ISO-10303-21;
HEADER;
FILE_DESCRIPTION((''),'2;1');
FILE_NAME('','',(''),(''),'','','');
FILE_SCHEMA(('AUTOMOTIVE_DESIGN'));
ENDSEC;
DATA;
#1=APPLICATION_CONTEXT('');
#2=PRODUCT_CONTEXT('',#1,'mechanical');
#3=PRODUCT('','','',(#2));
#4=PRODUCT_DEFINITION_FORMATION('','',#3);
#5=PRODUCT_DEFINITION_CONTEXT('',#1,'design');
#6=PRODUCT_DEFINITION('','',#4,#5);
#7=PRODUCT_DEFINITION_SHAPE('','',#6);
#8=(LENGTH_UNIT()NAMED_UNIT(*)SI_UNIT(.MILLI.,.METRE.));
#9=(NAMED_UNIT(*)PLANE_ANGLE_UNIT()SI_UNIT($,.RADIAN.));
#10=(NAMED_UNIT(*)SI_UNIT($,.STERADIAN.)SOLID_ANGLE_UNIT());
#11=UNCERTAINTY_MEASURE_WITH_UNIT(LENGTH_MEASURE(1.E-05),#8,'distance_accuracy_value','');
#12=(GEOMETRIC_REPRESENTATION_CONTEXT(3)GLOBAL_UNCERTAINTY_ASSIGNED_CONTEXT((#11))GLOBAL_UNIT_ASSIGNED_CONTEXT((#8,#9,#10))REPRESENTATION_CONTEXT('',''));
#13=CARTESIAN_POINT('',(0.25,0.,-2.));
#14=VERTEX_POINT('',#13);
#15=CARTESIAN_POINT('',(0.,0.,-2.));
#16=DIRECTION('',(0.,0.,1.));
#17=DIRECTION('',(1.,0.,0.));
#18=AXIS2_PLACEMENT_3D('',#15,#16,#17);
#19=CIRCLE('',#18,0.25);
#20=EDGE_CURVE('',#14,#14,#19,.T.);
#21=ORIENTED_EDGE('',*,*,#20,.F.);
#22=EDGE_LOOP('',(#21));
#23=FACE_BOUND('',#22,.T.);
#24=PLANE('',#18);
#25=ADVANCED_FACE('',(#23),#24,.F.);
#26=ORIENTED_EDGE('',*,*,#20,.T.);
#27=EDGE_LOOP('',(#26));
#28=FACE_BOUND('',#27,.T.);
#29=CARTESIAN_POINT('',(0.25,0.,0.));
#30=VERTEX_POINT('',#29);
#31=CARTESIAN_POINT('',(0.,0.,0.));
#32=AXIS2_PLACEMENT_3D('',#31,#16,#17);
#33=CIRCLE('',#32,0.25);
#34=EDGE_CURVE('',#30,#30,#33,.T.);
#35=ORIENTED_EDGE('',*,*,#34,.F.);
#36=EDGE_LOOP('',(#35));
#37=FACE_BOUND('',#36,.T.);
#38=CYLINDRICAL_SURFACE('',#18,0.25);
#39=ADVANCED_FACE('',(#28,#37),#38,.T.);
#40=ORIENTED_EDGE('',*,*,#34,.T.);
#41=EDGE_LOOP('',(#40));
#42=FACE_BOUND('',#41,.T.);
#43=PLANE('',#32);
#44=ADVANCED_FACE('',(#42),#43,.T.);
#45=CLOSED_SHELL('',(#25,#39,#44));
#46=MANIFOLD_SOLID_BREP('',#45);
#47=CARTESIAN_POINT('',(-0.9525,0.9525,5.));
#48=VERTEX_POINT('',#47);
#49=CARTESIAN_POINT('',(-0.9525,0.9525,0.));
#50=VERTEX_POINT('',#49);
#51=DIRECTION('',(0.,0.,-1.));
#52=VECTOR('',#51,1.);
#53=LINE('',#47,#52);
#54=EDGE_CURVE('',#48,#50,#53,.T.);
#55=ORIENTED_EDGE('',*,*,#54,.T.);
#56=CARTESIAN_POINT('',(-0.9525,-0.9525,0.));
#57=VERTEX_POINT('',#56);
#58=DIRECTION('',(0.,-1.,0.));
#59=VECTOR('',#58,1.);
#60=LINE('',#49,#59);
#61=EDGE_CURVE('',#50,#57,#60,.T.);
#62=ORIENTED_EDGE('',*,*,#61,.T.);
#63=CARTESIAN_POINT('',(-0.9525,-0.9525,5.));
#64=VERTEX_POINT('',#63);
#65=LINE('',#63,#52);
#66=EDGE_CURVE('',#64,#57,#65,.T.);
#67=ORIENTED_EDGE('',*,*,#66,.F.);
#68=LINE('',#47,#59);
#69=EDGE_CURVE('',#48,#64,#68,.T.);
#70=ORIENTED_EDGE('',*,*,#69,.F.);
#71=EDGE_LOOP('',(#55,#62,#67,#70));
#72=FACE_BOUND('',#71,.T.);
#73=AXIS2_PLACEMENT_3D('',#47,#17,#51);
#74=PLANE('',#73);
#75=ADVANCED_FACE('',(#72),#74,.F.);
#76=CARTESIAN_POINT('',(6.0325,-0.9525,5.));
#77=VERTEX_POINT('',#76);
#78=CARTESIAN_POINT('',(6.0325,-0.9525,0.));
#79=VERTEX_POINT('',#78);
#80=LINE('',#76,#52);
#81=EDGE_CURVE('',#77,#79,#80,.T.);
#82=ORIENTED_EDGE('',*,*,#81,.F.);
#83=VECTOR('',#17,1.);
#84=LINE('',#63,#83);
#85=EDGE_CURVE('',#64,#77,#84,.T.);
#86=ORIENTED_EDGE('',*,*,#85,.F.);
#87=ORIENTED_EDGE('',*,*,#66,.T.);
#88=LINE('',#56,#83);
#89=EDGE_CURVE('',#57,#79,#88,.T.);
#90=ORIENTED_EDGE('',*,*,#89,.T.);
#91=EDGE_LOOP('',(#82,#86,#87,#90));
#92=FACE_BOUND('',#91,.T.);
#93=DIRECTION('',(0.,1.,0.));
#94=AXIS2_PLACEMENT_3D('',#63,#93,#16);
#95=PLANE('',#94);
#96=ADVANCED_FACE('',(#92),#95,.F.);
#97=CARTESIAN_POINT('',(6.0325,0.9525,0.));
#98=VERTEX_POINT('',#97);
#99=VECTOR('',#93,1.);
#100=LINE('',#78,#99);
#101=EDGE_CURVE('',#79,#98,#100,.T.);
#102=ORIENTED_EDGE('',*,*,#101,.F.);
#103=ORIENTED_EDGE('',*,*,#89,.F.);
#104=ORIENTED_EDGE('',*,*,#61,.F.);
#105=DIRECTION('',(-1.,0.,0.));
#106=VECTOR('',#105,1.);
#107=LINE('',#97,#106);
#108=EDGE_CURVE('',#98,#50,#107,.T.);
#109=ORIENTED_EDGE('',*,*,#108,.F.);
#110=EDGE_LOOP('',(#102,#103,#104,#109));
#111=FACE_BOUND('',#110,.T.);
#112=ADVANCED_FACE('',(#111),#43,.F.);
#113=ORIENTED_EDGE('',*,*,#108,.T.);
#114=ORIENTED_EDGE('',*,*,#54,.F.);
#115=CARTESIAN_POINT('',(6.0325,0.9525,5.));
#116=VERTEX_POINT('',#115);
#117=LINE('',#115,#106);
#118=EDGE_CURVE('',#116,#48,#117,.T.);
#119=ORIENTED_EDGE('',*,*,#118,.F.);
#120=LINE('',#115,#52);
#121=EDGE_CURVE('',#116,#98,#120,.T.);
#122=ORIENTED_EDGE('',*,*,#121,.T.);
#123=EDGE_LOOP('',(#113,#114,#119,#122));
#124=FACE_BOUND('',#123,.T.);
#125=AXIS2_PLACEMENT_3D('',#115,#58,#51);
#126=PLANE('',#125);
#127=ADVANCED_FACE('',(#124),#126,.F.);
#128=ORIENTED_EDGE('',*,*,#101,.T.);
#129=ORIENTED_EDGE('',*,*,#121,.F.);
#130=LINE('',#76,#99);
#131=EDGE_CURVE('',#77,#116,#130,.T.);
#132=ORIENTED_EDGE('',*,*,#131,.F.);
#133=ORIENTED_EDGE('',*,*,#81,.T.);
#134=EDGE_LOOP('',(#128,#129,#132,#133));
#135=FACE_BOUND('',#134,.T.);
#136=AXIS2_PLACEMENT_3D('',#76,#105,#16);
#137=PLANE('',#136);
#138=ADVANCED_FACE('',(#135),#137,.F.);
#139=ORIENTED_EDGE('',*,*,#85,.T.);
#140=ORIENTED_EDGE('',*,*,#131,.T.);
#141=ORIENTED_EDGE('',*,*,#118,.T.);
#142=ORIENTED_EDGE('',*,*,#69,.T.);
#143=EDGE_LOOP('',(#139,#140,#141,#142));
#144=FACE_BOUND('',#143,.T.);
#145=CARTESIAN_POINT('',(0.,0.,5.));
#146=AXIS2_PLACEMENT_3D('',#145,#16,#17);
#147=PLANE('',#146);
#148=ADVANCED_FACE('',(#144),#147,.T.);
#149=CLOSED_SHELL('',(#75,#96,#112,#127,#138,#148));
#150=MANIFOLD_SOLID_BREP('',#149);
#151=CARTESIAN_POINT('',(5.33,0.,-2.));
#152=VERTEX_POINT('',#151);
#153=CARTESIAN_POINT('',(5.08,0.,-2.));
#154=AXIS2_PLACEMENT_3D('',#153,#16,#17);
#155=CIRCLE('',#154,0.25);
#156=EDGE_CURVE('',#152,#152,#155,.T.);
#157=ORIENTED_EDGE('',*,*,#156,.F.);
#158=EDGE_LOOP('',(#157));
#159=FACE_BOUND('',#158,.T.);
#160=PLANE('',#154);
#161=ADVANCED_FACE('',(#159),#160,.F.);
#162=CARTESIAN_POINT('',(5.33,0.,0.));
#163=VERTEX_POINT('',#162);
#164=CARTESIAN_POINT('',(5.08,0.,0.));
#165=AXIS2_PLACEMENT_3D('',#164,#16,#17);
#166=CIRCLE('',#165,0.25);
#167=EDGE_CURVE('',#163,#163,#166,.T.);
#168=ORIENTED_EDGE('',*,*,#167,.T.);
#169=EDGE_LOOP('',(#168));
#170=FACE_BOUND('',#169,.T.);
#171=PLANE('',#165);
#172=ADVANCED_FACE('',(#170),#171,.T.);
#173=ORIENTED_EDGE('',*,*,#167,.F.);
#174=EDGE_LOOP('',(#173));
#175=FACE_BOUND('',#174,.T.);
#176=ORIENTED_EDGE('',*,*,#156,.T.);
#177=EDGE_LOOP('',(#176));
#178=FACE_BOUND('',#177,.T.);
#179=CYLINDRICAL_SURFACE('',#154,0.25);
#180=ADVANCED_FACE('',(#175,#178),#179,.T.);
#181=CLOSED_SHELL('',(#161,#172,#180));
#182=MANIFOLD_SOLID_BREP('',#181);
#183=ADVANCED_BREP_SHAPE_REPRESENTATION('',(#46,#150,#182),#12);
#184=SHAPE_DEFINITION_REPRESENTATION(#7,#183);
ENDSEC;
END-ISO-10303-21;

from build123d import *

# Parameters (mm, degrees)
SKETCH1_W               = 6.985
SKETCH1_H               = 1.905
COMPONENT_OUTLINE_DEPTH = 5
SKETCH2_R               = 0.25
EXTRUDE_1_DEPTH         = 2
SKETCH3_R               = 0.25
EXTRUDE_2_DEPTH         = 2


with BuildPart() as part:
    # Sketch1 → Component_Outline (new body)
    with BuildSketch(Plane.XY):
        with Locations((2.54, 0)):
            Rectangle(SKETCH1_W, SKETCH1_H)
    extrude(amount=COMPONENT_OUTLINE_DEPTH)


with BuildPart() as body_2:
    # Sketch2 → Extrude 1 (new body)
    with BuildSketch(Plane.XY):
        Circle(SKETCH2_R)
    extrude(amount=-EXTRUDE_1_DEPTH)


with BuildPart() as body_3:
    # Sketch3 → Extrude 2 (new body)
    with BuildSketch(Plane.XY):
        with Locations((5.08, 0)):
            Circle(SKETCH3_R)
    extrude(amount=-EXTRUDE_2_DEPTH)


solid = Compound([part.part, body_2.part, body_3.part])
